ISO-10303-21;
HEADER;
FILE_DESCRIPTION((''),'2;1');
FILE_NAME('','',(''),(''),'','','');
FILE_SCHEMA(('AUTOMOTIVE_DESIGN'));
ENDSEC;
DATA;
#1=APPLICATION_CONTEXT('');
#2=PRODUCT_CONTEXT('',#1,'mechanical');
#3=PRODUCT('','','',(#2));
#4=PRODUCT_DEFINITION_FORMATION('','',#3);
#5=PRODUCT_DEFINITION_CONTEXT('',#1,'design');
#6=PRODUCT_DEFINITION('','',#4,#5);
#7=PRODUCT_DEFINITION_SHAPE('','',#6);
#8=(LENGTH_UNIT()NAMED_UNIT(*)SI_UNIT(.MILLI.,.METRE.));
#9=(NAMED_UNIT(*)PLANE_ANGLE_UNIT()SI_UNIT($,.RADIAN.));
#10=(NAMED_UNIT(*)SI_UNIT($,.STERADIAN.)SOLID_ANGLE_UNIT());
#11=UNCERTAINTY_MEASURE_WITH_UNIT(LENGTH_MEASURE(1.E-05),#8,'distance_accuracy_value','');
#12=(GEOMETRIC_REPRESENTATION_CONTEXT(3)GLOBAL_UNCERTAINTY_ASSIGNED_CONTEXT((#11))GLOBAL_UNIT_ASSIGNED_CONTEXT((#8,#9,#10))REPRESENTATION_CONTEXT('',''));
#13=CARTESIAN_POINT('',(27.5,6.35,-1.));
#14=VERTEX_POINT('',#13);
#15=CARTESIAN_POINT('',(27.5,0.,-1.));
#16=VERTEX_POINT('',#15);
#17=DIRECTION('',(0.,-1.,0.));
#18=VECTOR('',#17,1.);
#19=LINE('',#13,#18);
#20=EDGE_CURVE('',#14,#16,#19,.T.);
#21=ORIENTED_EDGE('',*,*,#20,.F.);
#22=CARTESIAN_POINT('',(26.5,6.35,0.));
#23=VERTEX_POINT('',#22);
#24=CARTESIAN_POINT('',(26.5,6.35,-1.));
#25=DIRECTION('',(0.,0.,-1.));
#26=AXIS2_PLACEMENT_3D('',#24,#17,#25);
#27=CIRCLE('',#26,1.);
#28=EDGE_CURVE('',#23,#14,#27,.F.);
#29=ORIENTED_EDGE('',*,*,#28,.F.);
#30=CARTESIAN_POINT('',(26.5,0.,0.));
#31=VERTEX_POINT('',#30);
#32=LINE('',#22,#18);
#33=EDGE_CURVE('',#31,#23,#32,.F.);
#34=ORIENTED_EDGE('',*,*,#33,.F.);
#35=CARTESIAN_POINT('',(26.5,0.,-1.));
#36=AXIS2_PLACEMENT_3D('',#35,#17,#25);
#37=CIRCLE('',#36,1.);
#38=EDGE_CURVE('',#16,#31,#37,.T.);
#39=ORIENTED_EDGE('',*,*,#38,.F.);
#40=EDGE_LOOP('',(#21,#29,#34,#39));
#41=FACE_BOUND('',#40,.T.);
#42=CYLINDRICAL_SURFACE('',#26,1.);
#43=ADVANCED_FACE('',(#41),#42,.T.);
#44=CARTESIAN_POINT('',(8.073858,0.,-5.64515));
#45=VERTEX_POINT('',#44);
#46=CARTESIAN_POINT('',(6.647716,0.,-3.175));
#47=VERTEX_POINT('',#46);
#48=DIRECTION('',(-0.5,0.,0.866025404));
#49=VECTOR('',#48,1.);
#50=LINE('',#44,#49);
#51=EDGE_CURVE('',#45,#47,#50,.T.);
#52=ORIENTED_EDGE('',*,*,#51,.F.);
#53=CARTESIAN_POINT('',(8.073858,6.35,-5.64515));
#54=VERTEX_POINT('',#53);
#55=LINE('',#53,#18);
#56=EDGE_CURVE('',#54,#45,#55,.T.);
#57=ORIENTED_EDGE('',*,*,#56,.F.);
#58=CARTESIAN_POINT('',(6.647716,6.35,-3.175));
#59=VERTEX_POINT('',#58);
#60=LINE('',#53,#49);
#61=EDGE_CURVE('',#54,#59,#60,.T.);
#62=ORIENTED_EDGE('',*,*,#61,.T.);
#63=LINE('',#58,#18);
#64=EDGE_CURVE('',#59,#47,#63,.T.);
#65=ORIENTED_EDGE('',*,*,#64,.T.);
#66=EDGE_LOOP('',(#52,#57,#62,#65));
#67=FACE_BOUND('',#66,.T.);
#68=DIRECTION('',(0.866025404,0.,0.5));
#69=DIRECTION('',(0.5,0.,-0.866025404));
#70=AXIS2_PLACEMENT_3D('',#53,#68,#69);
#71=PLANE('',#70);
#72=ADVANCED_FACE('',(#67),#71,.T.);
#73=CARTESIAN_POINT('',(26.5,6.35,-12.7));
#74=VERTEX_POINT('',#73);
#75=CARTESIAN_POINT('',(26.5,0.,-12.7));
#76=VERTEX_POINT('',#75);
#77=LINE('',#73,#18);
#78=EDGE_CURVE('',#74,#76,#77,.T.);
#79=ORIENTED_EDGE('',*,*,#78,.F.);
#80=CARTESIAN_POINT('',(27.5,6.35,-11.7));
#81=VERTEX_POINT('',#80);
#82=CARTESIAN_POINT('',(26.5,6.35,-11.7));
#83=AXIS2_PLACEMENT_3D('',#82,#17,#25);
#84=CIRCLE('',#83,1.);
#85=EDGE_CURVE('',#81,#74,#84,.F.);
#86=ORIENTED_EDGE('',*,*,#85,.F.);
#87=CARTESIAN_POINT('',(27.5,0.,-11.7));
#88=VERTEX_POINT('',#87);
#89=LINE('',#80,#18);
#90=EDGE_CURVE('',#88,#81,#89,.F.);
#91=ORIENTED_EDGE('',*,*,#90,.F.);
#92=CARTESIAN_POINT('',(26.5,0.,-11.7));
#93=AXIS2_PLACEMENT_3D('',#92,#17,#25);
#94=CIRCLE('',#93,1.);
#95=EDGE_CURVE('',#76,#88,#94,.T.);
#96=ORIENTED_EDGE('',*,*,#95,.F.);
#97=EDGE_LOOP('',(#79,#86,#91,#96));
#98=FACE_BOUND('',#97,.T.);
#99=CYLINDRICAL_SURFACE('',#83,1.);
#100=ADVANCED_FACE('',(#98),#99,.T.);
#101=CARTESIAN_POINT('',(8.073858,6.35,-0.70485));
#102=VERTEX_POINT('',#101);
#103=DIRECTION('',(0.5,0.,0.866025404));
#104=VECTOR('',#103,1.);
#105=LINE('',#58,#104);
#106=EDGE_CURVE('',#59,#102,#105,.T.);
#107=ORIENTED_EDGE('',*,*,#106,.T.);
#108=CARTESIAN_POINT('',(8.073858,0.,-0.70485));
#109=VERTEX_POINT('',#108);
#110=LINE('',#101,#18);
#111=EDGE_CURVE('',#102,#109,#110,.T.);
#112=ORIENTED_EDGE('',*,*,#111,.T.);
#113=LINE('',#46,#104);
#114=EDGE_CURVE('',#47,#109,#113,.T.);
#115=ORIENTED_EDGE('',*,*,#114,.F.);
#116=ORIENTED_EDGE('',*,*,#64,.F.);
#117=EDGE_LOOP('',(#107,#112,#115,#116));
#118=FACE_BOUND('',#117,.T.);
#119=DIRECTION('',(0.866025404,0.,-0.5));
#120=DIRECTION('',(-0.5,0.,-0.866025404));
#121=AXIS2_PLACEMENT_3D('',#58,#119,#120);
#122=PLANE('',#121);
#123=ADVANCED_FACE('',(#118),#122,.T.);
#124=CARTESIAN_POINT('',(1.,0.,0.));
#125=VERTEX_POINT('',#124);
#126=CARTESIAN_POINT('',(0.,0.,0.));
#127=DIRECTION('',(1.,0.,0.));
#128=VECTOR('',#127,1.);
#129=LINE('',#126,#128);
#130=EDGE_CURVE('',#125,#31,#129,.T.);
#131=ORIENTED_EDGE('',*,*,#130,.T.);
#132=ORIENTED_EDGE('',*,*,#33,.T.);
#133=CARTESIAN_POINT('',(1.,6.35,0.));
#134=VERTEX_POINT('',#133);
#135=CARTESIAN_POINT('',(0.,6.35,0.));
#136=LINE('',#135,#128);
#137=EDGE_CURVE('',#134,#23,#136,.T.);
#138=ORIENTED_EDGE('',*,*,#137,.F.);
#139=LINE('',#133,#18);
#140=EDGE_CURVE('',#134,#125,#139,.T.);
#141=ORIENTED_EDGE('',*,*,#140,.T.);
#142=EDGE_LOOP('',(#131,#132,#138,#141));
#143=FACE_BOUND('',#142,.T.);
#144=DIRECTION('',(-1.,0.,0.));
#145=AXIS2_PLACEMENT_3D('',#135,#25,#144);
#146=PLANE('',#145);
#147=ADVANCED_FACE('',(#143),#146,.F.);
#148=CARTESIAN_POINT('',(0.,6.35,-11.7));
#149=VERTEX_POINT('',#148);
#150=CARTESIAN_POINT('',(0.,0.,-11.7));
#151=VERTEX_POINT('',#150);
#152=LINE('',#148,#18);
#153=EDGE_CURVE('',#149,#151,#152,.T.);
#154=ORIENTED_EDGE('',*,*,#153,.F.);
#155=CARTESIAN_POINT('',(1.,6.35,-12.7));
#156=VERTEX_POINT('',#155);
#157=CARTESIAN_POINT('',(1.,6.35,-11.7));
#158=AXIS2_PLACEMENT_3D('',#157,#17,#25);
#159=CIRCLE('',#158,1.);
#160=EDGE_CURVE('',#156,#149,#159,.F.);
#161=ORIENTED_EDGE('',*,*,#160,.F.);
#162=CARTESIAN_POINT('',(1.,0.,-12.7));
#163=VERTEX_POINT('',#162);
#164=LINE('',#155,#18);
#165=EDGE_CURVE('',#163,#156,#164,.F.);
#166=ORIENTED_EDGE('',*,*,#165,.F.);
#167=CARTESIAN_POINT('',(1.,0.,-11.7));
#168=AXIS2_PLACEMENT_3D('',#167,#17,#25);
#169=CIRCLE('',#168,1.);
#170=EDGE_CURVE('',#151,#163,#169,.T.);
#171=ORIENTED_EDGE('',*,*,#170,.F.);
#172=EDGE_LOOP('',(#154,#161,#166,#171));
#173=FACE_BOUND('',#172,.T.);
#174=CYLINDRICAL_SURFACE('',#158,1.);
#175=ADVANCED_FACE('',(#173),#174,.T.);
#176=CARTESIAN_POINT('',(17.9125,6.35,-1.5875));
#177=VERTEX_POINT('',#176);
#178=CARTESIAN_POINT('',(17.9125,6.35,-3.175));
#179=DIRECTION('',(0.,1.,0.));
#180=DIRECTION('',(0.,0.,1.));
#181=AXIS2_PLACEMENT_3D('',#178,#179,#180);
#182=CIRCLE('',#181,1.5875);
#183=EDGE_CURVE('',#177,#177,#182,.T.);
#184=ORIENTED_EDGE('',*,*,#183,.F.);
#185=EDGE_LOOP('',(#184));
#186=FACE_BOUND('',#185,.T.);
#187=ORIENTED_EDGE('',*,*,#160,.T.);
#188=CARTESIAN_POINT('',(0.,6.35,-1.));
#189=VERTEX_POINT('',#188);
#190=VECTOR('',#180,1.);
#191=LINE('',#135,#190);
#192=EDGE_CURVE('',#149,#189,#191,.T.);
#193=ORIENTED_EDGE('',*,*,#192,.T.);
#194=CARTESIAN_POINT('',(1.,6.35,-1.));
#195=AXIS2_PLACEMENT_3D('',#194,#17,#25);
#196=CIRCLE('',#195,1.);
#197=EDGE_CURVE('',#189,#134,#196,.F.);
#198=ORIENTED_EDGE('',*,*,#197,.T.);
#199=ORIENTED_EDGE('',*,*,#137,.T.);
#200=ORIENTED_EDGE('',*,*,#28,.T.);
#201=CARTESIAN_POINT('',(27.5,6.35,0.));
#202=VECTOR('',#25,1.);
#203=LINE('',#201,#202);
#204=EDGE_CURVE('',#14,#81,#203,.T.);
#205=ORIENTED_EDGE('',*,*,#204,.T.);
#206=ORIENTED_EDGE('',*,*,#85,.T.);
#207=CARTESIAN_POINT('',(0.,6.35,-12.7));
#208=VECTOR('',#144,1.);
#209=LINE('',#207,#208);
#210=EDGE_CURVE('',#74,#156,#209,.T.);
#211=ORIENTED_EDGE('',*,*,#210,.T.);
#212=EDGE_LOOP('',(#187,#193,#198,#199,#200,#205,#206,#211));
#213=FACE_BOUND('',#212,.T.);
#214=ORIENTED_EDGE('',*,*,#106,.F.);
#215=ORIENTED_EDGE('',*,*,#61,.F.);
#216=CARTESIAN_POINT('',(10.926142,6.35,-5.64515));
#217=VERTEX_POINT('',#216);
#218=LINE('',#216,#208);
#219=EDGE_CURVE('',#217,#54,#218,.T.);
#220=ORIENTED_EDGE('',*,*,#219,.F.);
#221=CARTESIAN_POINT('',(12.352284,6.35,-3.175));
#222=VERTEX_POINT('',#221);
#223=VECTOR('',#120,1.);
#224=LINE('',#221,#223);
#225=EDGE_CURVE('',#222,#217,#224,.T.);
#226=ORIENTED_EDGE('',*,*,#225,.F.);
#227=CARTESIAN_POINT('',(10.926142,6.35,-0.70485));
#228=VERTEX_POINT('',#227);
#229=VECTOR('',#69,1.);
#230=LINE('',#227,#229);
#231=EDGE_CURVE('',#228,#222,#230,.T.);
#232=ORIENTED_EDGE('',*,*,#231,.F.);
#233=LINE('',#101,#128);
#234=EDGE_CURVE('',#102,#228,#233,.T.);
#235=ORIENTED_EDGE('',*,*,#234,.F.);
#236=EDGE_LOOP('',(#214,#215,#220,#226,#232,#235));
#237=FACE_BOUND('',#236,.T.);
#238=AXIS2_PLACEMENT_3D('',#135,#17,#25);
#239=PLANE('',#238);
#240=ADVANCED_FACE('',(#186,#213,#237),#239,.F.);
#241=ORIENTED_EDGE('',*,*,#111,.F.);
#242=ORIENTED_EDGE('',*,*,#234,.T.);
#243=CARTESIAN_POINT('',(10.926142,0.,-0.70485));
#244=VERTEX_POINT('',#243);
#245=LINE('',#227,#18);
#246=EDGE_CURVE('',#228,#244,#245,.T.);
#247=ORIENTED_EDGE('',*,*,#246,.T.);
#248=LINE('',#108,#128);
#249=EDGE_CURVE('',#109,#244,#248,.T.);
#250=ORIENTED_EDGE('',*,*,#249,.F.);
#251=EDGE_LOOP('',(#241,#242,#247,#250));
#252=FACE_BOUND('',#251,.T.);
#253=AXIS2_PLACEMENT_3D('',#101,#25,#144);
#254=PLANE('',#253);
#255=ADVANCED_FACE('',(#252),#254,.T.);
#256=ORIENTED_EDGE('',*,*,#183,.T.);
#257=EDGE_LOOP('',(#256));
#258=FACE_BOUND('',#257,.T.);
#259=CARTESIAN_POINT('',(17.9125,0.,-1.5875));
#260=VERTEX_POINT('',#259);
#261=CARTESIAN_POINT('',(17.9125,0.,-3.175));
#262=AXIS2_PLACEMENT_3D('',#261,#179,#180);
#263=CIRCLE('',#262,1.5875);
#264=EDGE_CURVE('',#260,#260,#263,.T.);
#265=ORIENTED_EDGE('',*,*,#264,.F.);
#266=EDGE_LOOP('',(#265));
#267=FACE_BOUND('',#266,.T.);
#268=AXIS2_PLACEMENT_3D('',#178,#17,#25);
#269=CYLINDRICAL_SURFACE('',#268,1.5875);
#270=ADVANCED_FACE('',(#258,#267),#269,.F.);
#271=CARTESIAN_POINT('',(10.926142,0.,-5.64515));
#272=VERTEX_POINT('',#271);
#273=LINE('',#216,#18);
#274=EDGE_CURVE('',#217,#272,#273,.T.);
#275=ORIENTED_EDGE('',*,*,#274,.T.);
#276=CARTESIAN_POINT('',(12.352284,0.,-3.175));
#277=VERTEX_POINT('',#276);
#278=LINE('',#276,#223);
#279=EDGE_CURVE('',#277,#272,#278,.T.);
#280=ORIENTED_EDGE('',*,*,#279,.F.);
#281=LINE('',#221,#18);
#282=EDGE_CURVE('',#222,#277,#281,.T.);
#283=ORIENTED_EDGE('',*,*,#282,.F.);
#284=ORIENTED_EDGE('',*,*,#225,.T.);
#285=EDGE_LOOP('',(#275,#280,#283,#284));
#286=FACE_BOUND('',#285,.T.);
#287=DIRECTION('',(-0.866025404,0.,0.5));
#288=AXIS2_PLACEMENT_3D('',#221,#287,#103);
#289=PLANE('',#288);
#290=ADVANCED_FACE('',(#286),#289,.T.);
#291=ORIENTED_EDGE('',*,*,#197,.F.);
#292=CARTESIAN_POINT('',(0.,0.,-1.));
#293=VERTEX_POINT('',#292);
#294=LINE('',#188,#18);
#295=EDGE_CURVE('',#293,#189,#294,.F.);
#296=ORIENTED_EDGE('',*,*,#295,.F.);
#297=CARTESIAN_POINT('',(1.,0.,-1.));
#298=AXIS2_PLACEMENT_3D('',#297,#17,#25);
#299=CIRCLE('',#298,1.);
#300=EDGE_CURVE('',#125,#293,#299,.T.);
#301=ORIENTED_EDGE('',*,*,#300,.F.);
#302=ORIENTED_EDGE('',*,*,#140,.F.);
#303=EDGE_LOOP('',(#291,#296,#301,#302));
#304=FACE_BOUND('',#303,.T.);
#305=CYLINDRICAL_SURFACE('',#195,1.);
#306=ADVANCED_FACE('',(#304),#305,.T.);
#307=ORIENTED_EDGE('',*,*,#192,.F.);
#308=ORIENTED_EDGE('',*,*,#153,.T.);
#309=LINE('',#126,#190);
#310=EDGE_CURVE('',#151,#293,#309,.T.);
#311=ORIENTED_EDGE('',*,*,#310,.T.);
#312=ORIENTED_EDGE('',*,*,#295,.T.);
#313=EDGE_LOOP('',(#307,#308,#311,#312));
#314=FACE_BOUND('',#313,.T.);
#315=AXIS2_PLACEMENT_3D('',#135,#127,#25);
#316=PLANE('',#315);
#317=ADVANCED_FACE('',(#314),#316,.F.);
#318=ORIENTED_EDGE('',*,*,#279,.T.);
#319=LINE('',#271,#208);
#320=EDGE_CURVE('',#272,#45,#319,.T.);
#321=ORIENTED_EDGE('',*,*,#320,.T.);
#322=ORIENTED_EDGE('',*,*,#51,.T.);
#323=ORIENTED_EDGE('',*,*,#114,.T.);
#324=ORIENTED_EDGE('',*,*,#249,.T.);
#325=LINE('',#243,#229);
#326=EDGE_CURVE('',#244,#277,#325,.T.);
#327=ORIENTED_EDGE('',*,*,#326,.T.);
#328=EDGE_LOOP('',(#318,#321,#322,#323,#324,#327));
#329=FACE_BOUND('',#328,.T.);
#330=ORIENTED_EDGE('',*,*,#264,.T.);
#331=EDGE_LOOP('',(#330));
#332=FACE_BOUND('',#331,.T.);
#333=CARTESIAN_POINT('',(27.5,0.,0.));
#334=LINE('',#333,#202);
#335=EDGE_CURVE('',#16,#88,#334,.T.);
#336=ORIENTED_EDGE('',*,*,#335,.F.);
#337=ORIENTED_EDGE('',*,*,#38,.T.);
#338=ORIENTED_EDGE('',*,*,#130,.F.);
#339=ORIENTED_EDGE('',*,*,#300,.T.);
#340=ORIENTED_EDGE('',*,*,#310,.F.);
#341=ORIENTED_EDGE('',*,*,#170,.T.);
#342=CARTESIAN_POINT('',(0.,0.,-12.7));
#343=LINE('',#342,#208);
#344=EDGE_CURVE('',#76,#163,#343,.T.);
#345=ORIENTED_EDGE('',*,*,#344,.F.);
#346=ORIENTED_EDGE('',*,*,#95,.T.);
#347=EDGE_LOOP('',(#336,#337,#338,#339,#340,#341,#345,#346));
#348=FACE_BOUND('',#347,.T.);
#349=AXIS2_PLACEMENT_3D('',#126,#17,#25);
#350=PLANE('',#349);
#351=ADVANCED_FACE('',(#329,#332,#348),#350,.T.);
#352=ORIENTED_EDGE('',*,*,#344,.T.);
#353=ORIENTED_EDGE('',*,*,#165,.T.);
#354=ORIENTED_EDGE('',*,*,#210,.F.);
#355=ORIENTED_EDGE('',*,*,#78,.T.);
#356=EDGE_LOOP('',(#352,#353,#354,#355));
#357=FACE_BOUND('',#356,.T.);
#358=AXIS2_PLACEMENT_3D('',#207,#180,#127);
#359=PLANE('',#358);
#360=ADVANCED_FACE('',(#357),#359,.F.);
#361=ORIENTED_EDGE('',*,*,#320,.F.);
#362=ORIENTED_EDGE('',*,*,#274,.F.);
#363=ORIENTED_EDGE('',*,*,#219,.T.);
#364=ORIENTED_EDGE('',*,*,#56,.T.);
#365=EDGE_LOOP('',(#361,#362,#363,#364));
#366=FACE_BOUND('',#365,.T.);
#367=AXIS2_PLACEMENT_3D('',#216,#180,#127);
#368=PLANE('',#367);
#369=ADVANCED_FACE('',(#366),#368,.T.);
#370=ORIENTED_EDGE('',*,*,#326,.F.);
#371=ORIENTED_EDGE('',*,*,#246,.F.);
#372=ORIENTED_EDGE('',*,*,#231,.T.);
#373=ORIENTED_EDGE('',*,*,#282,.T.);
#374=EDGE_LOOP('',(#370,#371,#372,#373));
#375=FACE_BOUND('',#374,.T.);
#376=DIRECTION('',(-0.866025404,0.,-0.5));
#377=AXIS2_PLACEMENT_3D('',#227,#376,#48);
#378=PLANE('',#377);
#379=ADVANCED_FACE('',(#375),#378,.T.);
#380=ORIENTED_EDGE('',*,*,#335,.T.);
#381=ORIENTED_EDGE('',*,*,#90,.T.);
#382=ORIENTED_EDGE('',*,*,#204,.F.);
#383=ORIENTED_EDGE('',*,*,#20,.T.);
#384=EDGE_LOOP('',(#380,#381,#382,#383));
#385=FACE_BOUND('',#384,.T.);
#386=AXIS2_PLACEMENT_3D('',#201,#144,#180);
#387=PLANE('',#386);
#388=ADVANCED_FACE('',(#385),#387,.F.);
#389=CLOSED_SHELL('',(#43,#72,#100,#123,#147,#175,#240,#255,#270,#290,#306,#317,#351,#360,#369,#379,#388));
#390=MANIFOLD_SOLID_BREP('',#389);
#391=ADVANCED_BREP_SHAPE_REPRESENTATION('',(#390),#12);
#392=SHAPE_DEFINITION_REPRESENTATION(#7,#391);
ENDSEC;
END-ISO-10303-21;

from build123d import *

# Parameters (mm, degrees)
SKETCH1_W           = 27.5
SKETCH1_H           = 12.7
SKETCH1_R           = 1.5875
BOSS_EXTRUDE1_DEPTH = 6.35
FILLET1_R           = 1


with BuildPart() as part:
    # Sketch1 → Boss-Extrude1 (new body)
    with BuildSketch(Plane(origin=(0, 0, 0), x_dir=(1, 0, 0), z_dir=(0, 1, 0))):
        with Locations((13.75, 6.35)):
            Rectangle(SKETCH1_W, SKETCH1_H)
        with Locations((17.9125, 3.175)):
            Circle(SKETCH1_R, mode=Mode.SUBTRACT)
        Polygon((12.352283535, 3.175), (10.926141767, 5.64515), (8.073858233, 5.64515), (6.647716465, 3.175), (8.073858233, 0.70485), (10.926141767, 0.70485), align=None, mode=Mode.SUBTRACT)
    extrude(amount=BOSS_EXTRUDE1_DEPTH)

    # Fillet1
    fillet1_edges = [part.edges().sort_by_distance(p)[0] for p in [
        (0, 3.175, -12.7),
        (27.5, 3.175, -12.7),
        (27.5, 3.175, 0),
        (0, 3.175, 0),
    ]]
    fillet(fillet1_edges, radius=FILLET1_R)


solid = part.part
